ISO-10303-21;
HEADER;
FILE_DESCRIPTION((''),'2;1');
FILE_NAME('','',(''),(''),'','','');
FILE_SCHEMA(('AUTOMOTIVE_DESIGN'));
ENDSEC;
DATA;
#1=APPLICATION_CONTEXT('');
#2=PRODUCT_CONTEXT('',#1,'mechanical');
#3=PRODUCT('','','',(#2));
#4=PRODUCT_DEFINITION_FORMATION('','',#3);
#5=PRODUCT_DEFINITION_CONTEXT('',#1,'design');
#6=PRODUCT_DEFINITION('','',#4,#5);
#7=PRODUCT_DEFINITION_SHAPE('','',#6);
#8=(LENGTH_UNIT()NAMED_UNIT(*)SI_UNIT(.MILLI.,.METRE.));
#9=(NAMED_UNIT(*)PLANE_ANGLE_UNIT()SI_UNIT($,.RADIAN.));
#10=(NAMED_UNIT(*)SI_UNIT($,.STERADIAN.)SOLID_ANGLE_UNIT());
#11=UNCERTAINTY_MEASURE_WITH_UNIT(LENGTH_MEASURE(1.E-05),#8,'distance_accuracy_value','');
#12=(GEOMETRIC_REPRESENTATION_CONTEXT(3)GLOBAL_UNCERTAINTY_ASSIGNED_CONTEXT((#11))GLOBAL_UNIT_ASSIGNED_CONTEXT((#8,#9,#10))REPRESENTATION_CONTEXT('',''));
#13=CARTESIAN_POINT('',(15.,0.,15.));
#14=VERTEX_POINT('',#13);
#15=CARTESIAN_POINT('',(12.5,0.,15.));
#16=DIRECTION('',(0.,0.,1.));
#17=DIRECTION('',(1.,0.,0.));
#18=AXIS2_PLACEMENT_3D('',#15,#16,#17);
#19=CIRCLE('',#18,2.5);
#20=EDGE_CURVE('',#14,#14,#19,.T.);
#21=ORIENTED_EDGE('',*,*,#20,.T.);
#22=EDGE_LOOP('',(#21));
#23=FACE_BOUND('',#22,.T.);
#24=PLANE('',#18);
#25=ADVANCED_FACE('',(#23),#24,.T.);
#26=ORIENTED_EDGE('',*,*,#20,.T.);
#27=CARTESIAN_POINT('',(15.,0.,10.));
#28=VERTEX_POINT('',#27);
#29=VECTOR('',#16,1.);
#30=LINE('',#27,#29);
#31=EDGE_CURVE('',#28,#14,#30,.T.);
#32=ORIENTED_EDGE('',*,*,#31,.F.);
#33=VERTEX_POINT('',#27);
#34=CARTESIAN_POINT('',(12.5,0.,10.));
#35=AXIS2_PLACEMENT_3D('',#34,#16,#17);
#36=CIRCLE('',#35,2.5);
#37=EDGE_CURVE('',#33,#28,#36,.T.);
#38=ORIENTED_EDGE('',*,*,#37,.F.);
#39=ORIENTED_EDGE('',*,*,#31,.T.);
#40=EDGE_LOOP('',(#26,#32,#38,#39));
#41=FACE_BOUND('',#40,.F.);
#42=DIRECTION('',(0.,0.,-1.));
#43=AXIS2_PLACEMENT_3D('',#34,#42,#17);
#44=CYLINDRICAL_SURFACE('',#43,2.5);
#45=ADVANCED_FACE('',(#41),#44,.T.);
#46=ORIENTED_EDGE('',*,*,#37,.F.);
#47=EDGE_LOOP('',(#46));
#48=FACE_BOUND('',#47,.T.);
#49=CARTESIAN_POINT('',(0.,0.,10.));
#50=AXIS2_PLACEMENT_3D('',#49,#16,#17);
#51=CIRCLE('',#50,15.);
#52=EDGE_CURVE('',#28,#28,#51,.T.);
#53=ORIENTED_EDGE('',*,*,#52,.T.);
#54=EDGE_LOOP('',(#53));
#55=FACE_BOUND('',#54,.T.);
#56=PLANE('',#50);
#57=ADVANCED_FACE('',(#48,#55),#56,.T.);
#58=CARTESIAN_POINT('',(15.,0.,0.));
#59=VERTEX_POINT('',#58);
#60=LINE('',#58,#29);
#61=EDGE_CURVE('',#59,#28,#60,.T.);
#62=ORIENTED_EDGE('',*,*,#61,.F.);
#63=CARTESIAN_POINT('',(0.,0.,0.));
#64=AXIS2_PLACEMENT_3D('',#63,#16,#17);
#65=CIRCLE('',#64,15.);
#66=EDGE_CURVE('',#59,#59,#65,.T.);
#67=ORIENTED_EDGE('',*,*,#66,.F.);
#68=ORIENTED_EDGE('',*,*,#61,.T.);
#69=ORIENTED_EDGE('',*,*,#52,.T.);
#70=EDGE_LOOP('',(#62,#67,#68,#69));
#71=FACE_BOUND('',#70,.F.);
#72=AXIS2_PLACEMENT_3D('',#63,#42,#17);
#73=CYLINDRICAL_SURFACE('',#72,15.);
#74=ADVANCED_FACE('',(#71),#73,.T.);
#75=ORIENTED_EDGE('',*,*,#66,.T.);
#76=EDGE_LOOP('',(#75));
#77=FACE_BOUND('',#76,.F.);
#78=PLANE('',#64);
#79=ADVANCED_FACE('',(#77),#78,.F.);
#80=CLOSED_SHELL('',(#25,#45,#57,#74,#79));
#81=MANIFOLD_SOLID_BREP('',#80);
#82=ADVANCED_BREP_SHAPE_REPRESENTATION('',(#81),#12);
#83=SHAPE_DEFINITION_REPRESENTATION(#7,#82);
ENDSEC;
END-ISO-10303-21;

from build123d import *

# Parameters (mm, degrees)
F0_R     = 15
F1_DEPTH = 10
F2_R     = 2.5
F3_DEPTH = 5


with BuildPart() as f1:
    # F0 (on Top) → F1 (new body)
    with BuildSketch(Plane.XY):
        Circle(F0_R)
    extrude(amount=F1_DEPTH)

    # F2 (on face) → F3 (join)
    with BuildSketch(Plane.XY.offset(10)):
        with Locations((12.5, 0)):
            Circle(F2_R)
    extrude(amount=F3_DEPTH)


solid = f1.part
